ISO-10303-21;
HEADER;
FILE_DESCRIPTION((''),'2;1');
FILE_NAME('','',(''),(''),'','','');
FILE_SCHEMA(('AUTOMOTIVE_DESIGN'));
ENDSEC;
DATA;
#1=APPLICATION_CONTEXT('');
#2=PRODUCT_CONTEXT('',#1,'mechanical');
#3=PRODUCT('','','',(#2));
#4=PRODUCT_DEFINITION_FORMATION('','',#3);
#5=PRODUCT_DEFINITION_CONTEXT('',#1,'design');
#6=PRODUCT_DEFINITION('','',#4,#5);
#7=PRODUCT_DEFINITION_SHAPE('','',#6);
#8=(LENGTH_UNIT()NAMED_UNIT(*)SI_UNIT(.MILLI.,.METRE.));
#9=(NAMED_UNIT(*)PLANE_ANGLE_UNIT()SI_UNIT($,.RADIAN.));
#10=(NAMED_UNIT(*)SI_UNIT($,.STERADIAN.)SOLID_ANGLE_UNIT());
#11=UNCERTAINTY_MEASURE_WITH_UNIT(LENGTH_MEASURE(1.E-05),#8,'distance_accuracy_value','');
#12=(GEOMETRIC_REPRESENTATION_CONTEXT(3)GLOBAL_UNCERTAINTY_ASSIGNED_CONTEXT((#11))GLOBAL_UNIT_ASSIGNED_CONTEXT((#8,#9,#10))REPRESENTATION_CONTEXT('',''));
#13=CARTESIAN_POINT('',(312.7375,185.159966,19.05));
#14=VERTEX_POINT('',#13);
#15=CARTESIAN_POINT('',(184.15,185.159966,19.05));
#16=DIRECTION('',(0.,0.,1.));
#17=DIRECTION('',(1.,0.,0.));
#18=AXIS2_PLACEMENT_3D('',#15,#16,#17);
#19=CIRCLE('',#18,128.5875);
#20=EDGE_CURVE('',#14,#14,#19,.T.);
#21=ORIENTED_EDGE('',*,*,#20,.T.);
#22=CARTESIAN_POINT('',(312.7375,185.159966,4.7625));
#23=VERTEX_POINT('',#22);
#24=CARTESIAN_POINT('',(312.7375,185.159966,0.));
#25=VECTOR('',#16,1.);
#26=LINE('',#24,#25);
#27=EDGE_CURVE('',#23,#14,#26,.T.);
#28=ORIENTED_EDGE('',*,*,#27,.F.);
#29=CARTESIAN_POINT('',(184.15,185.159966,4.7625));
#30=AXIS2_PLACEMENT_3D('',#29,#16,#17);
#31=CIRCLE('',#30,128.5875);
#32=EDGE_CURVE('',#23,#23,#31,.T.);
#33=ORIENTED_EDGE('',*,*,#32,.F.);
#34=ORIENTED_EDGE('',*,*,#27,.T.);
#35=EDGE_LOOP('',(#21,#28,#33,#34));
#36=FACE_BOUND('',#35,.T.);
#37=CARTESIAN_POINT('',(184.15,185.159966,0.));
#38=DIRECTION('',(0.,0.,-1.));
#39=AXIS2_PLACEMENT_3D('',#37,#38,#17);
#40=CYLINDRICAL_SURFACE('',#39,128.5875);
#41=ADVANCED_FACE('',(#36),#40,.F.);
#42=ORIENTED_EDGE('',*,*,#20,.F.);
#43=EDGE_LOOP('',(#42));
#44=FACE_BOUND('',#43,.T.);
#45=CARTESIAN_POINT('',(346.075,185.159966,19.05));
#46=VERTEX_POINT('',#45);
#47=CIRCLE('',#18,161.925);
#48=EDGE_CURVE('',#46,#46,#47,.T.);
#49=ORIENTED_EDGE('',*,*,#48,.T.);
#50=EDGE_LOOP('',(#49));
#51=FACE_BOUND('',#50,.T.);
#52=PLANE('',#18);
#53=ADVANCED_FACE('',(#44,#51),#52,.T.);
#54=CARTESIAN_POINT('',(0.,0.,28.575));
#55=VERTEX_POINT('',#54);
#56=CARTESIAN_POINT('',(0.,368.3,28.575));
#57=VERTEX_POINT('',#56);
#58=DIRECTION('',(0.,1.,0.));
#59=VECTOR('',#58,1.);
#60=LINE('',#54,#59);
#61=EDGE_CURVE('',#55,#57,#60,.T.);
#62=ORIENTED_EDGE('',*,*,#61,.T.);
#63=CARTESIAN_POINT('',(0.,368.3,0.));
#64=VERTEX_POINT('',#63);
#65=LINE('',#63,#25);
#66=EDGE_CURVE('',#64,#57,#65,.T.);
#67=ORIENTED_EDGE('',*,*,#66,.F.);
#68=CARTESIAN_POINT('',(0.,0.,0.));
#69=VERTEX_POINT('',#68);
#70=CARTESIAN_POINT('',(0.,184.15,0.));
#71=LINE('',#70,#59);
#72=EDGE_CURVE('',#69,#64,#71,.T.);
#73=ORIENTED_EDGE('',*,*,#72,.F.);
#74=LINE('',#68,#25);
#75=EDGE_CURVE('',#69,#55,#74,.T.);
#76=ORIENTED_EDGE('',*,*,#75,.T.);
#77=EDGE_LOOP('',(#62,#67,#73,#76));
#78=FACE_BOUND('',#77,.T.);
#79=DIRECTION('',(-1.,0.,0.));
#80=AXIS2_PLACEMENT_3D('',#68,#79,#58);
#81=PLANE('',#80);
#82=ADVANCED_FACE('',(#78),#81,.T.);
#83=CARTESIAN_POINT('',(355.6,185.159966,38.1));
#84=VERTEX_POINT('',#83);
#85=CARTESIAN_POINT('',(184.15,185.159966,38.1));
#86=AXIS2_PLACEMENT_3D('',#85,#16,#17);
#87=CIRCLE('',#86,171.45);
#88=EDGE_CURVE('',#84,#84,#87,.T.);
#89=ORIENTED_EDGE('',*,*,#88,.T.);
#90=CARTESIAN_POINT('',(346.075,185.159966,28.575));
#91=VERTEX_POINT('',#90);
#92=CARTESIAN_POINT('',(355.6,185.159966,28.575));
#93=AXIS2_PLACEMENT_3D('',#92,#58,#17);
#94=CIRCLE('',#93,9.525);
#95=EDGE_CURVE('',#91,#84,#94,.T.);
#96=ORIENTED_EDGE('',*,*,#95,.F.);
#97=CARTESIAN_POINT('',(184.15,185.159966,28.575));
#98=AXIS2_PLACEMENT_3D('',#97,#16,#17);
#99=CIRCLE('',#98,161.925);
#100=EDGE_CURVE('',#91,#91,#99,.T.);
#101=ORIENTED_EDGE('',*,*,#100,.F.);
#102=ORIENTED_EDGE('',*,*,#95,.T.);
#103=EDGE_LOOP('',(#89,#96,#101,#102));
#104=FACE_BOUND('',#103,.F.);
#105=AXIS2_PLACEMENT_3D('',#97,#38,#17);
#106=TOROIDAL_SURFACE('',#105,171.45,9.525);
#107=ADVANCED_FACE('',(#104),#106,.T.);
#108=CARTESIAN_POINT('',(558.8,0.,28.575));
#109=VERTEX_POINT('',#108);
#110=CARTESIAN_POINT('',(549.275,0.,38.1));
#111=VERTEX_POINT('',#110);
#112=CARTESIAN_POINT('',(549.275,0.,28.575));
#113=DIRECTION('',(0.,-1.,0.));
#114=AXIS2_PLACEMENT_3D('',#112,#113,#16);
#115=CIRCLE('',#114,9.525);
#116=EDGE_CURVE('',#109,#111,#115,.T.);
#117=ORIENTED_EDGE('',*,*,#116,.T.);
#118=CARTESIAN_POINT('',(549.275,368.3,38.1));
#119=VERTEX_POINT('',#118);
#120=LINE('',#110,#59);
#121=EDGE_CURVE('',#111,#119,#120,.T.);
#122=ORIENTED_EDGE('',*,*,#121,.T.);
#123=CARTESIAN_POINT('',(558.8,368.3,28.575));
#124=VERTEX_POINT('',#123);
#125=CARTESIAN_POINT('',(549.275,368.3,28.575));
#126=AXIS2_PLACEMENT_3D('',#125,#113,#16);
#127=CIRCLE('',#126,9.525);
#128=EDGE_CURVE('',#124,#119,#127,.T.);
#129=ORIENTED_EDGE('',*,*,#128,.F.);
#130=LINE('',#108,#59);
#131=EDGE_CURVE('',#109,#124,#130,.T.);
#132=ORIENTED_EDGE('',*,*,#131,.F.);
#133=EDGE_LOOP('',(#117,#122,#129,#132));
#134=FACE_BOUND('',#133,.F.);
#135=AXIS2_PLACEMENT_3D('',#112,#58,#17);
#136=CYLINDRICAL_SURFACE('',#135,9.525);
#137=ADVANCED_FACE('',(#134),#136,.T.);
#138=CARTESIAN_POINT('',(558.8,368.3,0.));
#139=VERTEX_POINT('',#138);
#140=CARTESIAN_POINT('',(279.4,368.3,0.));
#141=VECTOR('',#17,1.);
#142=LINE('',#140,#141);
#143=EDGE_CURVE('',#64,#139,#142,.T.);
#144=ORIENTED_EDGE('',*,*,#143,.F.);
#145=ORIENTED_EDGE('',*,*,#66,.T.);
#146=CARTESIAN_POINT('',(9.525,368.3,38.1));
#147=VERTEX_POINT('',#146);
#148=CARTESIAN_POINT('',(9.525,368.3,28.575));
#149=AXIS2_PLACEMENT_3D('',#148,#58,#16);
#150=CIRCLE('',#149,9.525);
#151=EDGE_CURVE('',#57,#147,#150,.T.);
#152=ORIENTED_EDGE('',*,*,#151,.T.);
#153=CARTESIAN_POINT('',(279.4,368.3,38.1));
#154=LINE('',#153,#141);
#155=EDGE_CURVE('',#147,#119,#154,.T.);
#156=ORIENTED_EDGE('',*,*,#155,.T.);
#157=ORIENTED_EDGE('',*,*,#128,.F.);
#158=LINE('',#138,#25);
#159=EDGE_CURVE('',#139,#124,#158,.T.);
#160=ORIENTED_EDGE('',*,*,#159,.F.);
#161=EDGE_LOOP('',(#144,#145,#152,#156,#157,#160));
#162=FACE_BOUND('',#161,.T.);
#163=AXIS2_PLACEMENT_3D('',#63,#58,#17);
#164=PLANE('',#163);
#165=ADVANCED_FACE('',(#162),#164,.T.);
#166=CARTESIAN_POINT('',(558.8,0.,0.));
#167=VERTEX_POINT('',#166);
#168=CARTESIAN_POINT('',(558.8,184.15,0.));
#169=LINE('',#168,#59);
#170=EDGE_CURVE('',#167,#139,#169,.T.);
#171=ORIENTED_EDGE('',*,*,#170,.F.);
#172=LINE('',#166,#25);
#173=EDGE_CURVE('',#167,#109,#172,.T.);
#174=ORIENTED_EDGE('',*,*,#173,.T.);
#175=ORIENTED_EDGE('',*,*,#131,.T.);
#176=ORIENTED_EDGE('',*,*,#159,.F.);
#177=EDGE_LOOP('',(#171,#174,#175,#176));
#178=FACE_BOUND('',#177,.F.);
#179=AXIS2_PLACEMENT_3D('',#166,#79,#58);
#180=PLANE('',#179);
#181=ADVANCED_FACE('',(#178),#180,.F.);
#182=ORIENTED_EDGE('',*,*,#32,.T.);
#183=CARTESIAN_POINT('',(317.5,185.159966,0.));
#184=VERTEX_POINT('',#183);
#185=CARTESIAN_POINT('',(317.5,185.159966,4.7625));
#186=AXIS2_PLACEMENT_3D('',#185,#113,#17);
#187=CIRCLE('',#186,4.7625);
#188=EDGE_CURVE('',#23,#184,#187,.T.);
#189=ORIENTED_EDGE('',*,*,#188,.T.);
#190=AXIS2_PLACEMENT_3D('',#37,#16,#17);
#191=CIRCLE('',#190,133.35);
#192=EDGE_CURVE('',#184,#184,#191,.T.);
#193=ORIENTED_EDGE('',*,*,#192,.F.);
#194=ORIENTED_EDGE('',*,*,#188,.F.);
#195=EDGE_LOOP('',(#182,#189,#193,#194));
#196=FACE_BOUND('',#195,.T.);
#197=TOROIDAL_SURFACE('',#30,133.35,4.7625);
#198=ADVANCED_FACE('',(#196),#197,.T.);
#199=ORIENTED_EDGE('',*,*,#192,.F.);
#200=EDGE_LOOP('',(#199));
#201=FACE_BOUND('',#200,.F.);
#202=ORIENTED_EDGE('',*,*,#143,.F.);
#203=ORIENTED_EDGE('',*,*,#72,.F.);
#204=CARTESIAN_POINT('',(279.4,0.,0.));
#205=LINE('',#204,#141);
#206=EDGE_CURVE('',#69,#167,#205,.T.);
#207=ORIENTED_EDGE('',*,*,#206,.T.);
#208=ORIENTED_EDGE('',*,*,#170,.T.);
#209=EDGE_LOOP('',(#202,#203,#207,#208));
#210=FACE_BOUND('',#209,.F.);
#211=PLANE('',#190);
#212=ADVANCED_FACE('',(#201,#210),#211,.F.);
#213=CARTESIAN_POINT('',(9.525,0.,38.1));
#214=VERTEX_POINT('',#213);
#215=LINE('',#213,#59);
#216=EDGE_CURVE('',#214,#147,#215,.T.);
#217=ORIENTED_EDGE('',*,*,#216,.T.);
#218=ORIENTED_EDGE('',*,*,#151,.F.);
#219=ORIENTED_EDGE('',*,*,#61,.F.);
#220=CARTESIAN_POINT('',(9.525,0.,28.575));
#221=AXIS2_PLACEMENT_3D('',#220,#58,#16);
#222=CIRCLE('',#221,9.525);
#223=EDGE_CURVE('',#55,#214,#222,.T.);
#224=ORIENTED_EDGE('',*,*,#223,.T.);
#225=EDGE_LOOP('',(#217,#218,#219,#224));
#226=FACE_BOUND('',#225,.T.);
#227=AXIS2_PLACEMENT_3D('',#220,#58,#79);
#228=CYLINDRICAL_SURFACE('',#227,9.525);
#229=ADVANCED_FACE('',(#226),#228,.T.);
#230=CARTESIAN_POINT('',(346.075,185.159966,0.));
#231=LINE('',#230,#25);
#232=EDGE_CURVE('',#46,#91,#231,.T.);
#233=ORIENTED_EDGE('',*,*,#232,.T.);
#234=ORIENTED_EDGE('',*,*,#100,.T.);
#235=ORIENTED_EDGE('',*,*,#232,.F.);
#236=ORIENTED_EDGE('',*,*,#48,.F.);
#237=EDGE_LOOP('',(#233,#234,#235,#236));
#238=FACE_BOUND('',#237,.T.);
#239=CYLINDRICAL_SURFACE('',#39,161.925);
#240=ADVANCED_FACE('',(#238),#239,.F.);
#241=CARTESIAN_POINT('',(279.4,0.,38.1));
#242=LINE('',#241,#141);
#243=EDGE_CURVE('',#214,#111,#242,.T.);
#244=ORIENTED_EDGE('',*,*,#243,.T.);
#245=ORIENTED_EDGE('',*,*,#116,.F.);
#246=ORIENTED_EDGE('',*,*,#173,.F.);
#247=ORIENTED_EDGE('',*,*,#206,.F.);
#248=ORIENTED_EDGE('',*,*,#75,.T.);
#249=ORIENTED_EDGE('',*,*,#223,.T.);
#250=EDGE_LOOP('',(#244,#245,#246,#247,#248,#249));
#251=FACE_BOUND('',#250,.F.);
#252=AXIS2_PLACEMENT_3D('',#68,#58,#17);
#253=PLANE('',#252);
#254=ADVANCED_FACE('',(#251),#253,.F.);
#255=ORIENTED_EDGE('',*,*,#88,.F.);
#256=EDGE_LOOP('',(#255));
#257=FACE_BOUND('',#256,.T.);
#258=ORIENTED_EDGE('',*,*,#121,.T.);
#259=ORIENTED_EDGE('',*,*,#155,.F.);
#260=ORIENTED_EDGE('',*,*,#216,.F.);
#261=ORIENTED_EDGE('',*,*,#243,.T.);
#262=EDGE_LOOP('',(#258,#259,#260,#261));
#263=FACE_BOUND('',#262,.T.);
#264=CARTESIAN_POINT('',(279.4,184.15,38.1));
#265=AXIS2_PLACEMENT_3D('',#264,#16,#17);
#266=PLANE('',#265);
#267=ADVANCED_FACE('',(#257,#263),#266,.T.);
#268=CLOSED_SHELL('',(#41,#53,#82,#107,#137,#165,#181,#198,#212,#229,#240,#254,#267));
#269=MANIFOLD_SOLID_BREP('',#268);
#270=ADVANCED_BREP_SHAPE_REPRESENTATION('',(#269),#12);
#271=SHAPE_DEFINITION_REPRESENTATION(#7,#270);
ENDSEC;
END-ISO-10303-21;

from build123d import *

# Parameters (mm, degrees)
F0_W     = 558.8
F0_H     = 368.3
F0_R     = 161.925
F1_DEPTH = 38.1
F0_R_2   = 128.5875
F2_DEPTH = 19.05
F3_R     = 9.525
F4_R     = 4.7625
F5_R     = 9.525


with BuildPart() as f1:
    # F0 (on Top) → F1 (new body)
    with BuildSketch(Plane.XY):
        with Locations((279.4, 184.15)):
            Rectangle(F0_W, F0_H)
        with Locations((184.15, 185.159966)):
            Circle(F0_R, mode=Mode.SUBTRACT)
    extrude(amount=F1_DEPTH)

    # F0 (on Top) → F2 (join)
    with BuildSketch(Plane.XY):
        with Locations((184.15, 185.159966)):
            Circle(F0_R)
        with Locations((184.15, 185.159966)):
            Circle(F0_R_2, mode=Mode.SUBTRACT)
    extrude(amount=F2_DEPTH)

    # F3
    f3_edges = [f1.edges().sort_by_distance(p)[0] for p in [
        (22.225, 185.159966, 38.1),
    ]]
    fillet(f3_edges, radius=F3_R)

    # F4
    f4_edges = [f1.edges().sort_by_distance(p)[0] for p in [
        (55.5625, 185.159966, 0),
    ]]
    fillet(f4_edges, radius=F4_R)

    # F5
    f5_edges = [f1.edges().sort_by_distance(p)[0] for p in [
        (558.8, 184.15, 38.1),
        (0, 184.15, 38.1),
    ]]
    fillet(f5_edges, radius=F5_R)


solid = f1.part
